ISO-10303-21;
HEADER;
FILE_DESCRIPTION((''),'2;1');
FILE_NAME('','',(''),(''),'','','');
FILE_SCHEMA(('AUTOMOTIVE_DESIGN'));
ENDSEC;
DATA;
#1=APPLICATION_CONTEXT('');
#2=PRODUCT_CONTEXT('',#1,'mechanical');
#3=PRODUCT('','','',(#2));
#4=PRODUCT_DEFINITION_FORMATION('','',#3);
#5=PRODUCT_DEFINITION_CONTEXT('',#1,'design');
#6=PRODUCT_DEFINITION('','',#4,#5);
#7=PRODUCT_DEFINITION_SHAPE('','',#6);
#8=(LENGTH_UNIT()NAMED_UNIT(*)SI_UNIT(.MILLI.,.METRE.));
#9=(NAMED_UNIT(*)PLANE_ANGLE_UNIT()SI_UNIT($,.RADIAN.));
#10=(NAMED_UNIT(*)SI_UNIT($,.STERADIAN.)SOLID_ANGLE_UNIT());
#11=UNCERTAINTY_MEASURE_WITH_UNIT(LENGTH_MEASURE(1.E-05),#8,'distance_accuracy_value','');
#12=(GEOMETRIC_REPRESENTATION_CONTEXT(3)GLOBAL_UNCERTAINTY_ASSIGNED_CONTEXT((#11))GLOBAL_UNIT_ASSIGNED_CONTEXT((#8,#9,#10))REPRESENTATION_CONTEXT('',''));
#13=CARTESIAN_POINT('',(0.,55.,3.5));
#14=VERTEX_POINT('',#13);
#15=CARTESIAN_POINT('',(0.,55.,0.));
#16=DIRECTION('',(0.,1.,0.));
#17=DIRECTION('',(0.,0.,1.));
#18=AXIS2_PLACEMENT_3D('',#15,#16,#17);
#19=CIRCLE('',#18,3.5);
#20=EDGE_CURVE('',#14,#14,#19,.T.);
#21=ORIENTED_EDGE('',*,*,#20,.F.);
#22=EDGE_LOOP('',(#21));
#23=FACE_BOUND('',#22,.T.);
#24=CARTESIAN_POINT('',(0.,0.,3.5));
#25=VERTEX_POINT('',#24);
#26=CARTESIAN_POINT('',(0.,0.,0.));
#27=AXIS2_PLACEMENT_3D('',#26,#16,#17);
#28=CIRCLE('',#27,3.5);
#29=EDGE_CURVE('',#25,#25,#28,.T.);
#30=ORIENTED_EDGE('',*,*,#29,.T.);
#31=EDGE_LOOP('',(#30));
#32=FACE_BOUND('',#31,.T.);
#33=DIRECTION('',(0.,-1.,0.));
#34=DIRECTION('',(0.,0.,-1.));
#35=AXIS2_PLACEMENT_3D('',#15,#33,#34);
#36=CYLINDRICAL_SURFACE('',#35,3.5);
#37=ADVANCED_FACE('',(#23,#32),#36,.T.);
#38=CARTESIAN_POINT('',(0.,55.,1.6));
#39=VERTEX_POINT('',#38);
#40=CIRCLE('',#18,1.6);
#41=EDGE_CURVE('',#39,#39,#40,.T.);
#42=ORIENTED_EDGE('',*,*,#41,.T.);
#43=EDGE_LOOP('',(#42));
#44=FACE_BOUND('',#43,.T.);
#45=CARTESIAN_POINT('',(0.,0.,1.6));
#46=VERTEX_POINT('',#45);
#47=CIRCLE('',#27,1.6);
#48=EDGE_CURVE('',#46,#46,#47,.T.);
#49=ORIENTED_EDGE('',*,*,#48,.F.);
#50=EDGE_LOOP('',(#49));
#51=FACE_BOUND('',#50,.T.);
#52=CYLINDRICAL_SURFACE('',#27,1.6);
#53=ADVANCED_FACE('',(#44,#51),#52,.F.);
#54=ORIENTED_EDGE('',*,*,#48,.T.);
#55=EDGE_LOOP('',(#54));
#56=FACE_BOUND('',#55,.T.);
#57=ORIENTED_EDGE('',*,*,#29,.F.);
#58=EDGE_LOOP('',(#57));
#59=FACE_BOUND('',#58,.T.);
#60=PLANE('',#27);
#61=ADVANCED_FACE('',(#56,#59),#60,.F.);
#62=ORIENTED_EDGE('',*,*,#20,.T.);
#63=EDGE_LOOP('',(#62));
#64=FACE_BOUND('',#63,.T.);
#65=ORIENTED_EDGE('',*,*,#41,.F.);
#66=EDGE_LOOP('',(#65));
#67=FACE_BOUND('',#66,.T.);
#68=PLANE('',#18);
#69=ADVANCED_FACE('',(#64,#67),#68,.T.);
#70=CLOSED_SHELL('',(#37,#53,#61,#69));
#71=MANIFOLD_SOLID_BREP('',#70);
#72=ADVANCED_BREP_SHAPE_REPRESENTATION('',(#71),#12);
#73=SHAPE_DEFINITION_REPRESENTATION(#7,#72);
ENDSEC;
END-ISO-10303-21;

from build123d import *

# Parameters (mm, degrees)
SKETCH_1_R          = 3.5
EXTRUDE_1_DEPTH     = 55
SKETCH_2_R          = 1.6
CUT_EXTRUDE_1_DEPTH = 56


with BuildPart() as part:
    # ｽｹｯﾁ1 → ﾎﾞｽ - 押し出し1 (new body)
    with BuildSketch(Plane(origin=(0, 0, 0), x_dir=(1, 0, 0), z_dir=(0, 1, 0))):
        Circle(SKETCH_1_R)
    extrude(amount=EXTRUDE_1_DEPTH)

    # ｽｹｯﾁ2 → ｶｯﾄ - 押し出し1 (cut, through all)
    with BuildSketch(Plane(origin=(0, 55, 0), x_dir=(1, 0, 0), z_dir=(0, 1, 0))):
        Circle(SKETCH_2_R)
    extrude(amount=-CUT_EXTRUDE_1_DEPTH, mode=Mode.SUBTRACT)


solid = part.part
